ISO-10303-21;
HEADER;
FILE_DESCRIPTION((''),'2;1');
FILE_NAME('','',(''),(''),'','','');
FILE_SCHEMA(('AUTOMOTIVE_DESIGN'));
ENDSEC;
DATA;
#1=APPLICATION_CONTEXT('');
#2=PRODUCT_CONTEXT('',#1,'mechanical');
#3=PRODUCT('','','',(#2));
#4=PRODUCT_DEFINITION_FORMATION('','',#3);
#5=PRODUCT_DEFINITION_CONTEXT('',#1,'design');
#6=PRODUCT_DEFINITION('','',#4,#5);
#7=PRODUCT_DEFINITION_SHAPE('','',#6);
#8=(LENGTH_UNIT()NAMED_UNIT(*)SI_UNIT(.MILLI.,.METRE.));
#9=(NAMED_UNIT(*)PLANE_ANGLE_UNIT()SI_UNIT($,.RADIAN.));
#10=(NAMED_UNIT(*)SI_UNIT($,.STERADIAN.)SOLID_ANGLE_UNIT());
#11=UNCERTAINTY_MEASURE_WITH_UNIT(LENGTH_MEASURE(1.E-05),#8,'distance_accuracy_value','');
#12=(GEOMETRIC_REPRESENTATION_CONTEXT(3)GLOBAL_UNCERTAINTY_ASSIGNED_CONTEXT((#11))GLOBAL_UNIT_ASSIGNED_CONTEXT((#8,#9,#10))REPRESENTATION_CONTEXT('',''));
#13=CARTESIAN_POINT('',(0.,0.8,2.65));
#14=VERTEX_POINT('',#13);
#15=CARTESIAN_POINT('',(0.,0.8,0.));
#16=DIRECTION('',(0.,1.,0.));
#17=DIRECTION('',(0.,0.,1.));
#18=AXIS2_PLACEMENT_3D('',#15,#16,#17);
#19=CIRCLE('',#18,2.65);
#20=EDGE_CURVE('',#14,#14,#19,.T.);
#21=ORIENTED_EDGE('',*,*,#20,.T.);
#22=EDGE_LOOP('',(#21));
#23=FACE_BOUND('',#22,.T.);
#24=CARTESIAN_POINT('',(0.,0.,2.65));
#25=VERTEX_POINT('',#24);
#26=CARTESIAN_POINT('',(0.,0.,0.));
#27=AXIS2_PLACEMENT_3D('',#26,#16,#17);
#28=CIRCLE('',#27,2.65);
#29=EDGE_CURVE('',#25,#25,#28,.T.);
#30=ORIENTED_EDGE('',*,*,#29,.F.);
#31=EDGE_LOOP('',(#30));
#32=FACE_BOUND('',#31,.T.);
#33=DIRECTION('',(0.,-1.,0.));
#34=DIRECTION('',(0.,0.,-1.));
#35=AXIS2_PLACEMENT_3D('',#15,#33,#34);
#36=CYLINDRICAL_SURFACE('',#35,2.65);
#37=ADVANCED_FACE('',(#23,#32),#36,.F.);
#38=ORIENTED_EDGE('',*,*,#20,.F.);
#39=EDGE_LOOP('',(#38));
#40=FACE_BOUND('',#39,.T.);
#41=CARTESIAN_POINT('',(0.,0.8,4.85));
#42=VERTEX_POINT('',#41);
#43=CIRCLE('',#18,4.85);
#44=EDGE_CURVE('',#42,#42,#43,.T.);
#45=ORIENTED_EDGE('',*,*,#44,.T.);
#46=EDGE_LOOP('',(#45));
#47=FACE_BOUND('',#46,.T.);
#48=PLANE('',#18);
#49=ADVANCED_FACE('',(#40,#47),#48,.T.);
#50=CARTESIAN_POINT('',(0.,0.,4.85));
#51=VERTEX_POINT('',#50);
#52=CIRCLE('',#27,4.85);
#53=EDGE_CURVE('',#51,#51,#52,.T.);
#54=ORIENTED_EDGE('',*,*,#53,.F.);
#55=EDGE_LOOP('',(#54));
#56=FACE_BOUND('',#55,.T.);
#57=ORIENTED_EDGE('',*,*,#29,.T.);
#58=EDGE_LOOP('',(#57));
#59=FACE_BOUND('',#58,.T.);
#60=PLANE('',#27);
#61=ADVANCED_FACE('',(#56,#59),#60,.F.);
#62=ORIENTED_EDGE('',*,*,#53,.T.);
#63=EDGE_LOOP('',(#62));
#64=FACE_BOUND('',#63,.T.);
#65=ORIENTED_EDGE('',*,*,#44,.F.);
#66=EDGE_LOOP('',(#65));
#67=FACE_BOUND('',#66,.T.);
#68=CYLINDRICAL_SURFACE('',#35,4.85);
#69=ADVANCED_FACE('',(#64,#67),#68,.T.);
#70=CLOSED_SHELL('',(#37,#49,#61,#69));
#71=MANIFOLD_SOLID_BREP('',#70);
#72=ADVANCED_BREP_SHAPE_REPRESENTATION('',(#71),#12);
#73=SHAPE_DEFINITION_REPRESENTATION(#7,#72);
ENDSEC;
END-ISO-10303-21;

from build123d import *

# Parameters (mm, degrees)
SKETCH1_R           = 4.85
SKETCH1_R_2         = 2.65
BOSS_EXTRUDE1_DEPTH = 0.8


with BuildPart() as part:
    # Sketch1 → Boss-Extrude1 (new body)
    with BuildSketch(Plane(origin=(0, 0, 0), x_dir=(1, 0, 0), z_dir=(0, 1, 0))):
        Circle(SKETCH1_R)
        Circle(SKETCH1_R_2, mode=Mode.SUBTRACT)
    extrude(amount=BOSS_EXTRUDE1_DEPTH)


solid = part.part
